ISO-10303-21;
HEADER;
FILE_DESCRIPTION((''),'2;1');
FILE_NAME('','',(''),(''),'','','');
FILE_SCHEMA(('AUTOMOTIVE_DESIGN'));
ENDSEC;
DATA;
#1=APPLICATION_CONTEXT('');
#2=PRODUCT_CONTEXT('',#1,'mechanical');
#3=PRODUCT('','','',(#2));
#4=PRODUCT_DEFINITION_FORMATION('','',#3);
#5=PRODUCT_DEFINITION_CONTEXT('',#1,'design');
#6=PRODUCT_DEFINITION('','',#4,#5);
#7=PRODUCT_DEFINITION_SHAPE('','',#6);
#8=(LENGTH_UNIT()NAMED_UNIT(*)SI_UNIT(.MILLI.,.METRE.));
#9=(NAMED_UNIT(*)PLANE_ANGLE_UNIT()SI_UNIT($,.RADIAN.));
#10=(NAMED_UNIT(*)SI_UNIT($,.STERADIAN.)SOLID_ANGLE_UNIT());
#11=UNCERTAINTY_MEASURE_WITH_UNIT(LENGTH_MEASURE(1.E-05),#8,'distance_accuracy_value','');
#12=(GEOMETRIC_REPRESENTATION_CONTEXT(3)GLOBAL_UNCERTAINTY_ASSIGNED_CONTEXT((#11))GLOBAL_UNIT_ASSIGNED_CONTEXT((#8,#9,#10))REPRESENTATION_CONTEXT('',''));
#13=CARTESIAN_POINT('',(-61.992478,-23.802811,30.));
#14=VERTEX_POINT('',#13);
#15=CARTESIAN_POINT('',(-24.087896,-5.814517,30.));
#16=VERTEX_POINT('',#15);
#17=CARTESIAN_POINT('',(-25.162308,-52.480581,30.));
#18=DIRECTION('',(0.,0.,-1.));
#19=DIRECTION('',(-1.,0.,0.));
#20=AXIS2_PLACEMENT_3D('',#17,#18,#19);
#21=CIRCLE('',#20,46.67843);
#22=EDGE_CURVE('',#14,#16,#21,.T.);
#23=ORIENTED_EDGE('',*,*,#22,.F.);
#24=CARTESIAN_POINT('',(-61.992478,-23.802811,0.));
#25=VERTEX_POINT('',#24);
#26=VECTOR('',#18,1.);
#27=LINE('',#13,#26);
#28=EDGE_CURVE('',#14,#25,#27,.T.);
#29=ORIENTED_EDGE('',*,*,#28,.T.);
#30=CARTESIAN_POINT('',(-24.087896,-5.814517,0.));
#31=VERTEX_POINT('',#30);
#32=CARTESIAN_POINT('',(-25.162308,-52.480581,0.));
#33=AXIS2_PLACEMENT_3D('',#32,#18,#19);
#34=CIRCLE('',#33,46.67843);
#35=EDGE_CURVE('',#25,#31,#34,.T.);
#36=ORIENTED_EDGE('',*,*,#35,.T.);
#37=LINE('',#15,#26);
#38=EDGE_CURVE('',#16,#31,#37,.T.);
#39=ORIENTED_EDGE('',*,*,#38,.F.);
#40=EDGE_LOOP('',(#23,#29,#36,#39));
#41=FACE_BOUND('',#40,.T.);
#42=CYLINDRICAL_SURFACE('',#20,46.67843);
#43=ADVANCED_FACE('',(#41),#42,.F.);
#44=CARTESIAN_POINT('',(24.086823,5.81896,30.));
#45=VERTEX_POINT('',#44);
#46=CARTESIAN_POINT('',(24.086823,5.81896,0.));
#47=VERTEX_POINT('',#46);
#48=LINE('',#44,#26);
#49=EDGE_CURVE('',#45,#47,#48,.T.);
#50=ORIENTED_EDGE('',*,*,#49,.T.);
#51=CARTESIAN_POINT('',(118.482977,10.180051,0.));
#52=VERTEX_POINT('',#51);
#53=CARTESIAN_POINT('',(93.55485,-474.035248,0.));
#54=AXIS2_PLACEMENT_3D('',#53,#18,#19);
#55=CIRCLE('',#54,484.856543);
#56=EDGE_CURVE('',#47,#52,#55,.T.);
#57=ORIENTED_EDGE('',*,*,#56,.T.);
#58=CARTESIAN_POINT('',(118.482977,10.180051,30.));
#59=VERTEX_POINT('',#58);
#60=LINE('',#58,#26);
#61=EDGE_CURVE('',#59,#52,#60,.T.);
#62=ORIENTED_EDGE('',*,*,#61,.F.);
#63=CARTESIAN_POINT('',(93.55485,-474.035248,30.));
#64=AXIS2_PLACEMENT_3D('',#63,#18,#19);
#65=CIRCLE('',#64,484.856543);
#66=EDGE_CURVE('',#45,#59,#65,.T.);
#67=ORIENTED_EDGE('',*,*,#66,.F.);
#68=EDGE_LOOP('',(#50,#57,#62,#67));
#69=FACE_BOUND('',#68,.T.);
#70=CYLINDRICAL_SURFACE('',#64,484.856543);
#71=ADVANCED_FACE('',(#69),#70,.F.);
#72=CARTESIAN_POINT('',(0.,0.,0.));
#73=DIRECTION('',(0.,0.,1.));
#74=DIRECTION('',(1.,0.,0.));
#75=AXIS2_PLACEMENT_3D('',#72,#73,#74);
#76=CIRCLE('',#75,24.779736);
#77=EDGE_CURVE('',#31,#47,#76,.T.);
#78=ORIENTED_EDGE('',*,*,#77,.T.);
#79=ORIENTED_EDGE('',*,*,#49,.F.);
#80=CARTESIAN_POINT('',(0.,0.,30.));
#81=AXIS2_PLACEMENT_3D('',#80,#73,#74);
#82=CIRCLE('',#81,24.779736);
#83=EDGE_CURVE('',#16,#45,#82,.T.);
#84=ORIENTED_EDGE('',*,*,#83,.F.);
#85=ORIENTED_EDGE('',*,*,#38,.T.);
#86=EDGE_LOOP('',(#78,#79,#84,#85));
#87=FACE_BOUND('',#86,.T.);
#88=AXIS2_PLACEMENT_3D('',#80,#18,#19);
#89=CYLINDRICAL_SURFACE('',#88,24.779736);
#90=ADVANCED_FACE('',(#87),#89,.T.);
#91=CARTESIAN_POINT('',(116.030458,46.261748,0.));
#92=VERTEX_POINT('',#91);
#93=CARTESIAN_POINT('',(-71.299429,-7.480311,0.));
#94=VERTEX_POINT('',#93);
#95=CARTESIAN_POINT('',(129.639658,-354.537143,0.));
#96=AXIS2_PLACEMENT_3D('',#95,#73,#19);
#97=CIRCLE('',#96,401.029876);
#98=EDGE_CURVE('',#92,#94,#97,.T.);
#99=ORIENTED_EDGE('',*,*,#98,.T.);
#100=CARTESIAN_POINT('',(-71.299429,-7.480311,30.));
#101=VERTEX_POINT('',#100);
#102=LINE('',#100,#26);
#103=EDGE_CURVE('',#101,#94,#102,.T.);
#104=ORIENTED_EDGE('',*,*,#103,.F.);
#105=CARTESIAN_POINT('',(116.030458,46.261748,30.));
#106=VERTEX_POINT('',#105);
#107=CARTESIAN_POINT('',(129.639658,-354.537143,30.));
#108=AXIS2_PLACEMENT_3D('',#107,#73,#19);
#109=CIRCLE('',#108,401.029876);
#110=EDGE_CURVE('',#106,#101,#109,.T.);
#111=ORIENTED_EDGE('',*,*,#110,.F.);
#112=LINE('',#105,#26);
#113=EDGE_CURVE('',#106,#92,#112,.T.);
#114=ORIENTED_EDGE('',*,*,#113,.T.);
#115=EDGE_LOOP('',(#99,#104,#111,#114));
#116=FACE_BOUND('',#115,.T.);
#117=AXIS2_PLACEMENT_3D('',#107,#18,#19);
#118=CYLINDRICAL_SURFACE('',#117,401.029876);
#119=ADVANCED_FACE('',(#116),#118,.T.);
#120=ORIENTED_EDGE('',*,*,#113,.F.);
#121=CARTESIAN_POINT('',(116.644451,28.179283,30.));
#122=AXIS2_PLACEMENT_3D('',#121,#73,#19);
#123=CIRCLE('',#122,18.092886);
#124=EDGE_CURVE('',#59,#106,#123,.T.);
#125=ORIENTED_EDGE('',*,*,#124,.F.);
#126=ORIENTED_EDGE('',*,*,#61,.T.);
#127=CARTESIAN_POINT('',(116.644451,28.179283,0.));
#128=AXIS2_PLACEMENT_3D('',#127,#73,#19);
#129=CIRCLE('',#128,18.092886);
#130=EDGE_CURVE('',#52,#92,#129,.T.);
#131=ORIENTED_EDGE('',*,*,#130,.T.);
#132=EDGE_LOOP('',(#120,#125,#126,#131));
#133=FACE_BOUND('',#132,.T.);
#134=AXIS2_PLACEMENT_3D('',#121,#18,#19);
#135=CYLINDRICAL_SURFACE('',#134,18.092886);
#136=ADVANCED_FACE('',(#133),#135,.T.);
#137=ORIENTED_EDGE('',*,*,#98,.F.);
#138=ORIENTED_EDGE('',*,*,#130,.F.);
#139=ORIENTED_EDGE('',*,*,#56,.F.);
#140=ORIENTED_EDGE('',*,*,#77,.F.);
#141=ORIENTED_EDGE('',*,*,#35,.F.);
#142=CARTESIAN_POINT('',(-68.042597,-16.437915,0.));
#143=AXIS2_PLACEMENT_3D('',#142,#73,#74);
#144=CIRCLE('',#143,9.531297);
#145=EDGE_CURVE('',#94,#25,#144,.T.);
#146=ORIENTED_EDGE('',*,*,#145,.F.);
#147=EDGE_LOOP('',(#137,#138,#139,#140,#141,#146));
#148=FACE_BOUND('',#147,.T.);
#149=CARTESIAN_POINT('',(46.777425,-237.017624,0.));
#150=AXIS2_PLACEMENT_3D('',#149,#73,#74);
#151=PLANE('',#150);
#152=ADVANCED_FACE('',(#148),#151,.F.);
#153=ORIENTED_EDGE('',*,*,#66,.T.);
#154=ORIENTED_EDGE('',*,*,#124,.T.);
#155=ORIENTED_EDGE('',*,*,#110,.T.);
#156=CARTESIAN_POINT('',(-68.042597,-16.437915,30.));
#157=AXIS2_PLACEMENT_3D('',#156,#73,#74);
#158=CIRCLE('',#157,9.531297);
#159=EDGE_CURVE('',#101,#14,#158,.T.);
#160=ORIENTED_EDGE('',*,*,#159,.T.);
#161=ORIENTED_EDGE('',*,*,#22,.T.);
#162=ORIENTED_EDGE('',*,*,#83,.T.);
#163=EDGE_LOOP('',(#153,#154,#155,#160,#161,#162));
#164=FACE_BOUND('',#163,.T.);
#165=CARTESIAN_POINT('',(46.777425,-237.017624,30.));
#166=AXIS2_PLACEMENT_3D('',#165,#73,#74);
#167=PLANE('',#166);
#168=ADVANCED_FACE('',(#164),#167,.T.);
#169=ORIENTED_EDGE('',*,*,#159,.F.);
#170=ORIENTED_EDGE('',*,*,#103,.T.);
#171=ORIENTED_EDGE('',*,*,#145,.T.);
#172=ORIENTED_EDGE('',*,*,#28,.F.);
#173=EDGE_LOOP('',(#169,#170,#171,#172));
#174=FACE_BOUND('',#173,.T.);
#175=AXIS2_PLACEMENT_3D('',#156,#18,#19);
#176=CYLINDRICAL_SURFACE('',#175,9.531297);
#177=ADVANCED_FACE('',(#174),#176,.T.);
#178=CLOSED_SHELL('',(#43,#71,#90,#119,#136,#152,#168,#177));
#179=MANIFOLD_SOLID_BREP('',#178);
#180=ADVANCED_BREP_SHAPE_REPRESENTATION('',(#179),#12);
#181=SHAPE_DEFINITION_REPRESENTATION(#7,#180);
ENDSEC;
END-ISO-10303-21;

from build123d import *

# Parameters (mm, degrees)
EXTRUDE_1_DEPTH = 30


with BuildPart() as part:
    # 草图2 → 凸台-拉伸1 (new body)
    with BuildSketch(Plane.XY):
        with BuildLine():
            ThreePointArc((-61.992477784, -23.802811236), (-45.175134734, -10.309943663), (-24.087895886, -5.814517058))
            ThreePointArc((-24.087895886, -5.814517058), (5.816738592, -24.087359527), (24.086822963, 5.818960077))
            ThreePointArc((24.086822963, 5.818960077), (71.178401436, 10.304676326), (118.482977133, 10.180051405))
            ThreePointArc((118.482977133, 10.180051405), (134.695685991, 29.406248821), (116.030457789, 46.261747975))
            ThreePointArc((116.030457789, 46.261747975), (19.051258644, 30.943293914), (-71.299428674, -7.480310846))
            ThreePointArc((-71.299428674, -7.480310846), (-76.322488893, -21.159039372), (-61.992477784, -23.802811236))
        make_face()
    extrude(amount=EXTRUDE_1_DEPTH)


solid = part.part
